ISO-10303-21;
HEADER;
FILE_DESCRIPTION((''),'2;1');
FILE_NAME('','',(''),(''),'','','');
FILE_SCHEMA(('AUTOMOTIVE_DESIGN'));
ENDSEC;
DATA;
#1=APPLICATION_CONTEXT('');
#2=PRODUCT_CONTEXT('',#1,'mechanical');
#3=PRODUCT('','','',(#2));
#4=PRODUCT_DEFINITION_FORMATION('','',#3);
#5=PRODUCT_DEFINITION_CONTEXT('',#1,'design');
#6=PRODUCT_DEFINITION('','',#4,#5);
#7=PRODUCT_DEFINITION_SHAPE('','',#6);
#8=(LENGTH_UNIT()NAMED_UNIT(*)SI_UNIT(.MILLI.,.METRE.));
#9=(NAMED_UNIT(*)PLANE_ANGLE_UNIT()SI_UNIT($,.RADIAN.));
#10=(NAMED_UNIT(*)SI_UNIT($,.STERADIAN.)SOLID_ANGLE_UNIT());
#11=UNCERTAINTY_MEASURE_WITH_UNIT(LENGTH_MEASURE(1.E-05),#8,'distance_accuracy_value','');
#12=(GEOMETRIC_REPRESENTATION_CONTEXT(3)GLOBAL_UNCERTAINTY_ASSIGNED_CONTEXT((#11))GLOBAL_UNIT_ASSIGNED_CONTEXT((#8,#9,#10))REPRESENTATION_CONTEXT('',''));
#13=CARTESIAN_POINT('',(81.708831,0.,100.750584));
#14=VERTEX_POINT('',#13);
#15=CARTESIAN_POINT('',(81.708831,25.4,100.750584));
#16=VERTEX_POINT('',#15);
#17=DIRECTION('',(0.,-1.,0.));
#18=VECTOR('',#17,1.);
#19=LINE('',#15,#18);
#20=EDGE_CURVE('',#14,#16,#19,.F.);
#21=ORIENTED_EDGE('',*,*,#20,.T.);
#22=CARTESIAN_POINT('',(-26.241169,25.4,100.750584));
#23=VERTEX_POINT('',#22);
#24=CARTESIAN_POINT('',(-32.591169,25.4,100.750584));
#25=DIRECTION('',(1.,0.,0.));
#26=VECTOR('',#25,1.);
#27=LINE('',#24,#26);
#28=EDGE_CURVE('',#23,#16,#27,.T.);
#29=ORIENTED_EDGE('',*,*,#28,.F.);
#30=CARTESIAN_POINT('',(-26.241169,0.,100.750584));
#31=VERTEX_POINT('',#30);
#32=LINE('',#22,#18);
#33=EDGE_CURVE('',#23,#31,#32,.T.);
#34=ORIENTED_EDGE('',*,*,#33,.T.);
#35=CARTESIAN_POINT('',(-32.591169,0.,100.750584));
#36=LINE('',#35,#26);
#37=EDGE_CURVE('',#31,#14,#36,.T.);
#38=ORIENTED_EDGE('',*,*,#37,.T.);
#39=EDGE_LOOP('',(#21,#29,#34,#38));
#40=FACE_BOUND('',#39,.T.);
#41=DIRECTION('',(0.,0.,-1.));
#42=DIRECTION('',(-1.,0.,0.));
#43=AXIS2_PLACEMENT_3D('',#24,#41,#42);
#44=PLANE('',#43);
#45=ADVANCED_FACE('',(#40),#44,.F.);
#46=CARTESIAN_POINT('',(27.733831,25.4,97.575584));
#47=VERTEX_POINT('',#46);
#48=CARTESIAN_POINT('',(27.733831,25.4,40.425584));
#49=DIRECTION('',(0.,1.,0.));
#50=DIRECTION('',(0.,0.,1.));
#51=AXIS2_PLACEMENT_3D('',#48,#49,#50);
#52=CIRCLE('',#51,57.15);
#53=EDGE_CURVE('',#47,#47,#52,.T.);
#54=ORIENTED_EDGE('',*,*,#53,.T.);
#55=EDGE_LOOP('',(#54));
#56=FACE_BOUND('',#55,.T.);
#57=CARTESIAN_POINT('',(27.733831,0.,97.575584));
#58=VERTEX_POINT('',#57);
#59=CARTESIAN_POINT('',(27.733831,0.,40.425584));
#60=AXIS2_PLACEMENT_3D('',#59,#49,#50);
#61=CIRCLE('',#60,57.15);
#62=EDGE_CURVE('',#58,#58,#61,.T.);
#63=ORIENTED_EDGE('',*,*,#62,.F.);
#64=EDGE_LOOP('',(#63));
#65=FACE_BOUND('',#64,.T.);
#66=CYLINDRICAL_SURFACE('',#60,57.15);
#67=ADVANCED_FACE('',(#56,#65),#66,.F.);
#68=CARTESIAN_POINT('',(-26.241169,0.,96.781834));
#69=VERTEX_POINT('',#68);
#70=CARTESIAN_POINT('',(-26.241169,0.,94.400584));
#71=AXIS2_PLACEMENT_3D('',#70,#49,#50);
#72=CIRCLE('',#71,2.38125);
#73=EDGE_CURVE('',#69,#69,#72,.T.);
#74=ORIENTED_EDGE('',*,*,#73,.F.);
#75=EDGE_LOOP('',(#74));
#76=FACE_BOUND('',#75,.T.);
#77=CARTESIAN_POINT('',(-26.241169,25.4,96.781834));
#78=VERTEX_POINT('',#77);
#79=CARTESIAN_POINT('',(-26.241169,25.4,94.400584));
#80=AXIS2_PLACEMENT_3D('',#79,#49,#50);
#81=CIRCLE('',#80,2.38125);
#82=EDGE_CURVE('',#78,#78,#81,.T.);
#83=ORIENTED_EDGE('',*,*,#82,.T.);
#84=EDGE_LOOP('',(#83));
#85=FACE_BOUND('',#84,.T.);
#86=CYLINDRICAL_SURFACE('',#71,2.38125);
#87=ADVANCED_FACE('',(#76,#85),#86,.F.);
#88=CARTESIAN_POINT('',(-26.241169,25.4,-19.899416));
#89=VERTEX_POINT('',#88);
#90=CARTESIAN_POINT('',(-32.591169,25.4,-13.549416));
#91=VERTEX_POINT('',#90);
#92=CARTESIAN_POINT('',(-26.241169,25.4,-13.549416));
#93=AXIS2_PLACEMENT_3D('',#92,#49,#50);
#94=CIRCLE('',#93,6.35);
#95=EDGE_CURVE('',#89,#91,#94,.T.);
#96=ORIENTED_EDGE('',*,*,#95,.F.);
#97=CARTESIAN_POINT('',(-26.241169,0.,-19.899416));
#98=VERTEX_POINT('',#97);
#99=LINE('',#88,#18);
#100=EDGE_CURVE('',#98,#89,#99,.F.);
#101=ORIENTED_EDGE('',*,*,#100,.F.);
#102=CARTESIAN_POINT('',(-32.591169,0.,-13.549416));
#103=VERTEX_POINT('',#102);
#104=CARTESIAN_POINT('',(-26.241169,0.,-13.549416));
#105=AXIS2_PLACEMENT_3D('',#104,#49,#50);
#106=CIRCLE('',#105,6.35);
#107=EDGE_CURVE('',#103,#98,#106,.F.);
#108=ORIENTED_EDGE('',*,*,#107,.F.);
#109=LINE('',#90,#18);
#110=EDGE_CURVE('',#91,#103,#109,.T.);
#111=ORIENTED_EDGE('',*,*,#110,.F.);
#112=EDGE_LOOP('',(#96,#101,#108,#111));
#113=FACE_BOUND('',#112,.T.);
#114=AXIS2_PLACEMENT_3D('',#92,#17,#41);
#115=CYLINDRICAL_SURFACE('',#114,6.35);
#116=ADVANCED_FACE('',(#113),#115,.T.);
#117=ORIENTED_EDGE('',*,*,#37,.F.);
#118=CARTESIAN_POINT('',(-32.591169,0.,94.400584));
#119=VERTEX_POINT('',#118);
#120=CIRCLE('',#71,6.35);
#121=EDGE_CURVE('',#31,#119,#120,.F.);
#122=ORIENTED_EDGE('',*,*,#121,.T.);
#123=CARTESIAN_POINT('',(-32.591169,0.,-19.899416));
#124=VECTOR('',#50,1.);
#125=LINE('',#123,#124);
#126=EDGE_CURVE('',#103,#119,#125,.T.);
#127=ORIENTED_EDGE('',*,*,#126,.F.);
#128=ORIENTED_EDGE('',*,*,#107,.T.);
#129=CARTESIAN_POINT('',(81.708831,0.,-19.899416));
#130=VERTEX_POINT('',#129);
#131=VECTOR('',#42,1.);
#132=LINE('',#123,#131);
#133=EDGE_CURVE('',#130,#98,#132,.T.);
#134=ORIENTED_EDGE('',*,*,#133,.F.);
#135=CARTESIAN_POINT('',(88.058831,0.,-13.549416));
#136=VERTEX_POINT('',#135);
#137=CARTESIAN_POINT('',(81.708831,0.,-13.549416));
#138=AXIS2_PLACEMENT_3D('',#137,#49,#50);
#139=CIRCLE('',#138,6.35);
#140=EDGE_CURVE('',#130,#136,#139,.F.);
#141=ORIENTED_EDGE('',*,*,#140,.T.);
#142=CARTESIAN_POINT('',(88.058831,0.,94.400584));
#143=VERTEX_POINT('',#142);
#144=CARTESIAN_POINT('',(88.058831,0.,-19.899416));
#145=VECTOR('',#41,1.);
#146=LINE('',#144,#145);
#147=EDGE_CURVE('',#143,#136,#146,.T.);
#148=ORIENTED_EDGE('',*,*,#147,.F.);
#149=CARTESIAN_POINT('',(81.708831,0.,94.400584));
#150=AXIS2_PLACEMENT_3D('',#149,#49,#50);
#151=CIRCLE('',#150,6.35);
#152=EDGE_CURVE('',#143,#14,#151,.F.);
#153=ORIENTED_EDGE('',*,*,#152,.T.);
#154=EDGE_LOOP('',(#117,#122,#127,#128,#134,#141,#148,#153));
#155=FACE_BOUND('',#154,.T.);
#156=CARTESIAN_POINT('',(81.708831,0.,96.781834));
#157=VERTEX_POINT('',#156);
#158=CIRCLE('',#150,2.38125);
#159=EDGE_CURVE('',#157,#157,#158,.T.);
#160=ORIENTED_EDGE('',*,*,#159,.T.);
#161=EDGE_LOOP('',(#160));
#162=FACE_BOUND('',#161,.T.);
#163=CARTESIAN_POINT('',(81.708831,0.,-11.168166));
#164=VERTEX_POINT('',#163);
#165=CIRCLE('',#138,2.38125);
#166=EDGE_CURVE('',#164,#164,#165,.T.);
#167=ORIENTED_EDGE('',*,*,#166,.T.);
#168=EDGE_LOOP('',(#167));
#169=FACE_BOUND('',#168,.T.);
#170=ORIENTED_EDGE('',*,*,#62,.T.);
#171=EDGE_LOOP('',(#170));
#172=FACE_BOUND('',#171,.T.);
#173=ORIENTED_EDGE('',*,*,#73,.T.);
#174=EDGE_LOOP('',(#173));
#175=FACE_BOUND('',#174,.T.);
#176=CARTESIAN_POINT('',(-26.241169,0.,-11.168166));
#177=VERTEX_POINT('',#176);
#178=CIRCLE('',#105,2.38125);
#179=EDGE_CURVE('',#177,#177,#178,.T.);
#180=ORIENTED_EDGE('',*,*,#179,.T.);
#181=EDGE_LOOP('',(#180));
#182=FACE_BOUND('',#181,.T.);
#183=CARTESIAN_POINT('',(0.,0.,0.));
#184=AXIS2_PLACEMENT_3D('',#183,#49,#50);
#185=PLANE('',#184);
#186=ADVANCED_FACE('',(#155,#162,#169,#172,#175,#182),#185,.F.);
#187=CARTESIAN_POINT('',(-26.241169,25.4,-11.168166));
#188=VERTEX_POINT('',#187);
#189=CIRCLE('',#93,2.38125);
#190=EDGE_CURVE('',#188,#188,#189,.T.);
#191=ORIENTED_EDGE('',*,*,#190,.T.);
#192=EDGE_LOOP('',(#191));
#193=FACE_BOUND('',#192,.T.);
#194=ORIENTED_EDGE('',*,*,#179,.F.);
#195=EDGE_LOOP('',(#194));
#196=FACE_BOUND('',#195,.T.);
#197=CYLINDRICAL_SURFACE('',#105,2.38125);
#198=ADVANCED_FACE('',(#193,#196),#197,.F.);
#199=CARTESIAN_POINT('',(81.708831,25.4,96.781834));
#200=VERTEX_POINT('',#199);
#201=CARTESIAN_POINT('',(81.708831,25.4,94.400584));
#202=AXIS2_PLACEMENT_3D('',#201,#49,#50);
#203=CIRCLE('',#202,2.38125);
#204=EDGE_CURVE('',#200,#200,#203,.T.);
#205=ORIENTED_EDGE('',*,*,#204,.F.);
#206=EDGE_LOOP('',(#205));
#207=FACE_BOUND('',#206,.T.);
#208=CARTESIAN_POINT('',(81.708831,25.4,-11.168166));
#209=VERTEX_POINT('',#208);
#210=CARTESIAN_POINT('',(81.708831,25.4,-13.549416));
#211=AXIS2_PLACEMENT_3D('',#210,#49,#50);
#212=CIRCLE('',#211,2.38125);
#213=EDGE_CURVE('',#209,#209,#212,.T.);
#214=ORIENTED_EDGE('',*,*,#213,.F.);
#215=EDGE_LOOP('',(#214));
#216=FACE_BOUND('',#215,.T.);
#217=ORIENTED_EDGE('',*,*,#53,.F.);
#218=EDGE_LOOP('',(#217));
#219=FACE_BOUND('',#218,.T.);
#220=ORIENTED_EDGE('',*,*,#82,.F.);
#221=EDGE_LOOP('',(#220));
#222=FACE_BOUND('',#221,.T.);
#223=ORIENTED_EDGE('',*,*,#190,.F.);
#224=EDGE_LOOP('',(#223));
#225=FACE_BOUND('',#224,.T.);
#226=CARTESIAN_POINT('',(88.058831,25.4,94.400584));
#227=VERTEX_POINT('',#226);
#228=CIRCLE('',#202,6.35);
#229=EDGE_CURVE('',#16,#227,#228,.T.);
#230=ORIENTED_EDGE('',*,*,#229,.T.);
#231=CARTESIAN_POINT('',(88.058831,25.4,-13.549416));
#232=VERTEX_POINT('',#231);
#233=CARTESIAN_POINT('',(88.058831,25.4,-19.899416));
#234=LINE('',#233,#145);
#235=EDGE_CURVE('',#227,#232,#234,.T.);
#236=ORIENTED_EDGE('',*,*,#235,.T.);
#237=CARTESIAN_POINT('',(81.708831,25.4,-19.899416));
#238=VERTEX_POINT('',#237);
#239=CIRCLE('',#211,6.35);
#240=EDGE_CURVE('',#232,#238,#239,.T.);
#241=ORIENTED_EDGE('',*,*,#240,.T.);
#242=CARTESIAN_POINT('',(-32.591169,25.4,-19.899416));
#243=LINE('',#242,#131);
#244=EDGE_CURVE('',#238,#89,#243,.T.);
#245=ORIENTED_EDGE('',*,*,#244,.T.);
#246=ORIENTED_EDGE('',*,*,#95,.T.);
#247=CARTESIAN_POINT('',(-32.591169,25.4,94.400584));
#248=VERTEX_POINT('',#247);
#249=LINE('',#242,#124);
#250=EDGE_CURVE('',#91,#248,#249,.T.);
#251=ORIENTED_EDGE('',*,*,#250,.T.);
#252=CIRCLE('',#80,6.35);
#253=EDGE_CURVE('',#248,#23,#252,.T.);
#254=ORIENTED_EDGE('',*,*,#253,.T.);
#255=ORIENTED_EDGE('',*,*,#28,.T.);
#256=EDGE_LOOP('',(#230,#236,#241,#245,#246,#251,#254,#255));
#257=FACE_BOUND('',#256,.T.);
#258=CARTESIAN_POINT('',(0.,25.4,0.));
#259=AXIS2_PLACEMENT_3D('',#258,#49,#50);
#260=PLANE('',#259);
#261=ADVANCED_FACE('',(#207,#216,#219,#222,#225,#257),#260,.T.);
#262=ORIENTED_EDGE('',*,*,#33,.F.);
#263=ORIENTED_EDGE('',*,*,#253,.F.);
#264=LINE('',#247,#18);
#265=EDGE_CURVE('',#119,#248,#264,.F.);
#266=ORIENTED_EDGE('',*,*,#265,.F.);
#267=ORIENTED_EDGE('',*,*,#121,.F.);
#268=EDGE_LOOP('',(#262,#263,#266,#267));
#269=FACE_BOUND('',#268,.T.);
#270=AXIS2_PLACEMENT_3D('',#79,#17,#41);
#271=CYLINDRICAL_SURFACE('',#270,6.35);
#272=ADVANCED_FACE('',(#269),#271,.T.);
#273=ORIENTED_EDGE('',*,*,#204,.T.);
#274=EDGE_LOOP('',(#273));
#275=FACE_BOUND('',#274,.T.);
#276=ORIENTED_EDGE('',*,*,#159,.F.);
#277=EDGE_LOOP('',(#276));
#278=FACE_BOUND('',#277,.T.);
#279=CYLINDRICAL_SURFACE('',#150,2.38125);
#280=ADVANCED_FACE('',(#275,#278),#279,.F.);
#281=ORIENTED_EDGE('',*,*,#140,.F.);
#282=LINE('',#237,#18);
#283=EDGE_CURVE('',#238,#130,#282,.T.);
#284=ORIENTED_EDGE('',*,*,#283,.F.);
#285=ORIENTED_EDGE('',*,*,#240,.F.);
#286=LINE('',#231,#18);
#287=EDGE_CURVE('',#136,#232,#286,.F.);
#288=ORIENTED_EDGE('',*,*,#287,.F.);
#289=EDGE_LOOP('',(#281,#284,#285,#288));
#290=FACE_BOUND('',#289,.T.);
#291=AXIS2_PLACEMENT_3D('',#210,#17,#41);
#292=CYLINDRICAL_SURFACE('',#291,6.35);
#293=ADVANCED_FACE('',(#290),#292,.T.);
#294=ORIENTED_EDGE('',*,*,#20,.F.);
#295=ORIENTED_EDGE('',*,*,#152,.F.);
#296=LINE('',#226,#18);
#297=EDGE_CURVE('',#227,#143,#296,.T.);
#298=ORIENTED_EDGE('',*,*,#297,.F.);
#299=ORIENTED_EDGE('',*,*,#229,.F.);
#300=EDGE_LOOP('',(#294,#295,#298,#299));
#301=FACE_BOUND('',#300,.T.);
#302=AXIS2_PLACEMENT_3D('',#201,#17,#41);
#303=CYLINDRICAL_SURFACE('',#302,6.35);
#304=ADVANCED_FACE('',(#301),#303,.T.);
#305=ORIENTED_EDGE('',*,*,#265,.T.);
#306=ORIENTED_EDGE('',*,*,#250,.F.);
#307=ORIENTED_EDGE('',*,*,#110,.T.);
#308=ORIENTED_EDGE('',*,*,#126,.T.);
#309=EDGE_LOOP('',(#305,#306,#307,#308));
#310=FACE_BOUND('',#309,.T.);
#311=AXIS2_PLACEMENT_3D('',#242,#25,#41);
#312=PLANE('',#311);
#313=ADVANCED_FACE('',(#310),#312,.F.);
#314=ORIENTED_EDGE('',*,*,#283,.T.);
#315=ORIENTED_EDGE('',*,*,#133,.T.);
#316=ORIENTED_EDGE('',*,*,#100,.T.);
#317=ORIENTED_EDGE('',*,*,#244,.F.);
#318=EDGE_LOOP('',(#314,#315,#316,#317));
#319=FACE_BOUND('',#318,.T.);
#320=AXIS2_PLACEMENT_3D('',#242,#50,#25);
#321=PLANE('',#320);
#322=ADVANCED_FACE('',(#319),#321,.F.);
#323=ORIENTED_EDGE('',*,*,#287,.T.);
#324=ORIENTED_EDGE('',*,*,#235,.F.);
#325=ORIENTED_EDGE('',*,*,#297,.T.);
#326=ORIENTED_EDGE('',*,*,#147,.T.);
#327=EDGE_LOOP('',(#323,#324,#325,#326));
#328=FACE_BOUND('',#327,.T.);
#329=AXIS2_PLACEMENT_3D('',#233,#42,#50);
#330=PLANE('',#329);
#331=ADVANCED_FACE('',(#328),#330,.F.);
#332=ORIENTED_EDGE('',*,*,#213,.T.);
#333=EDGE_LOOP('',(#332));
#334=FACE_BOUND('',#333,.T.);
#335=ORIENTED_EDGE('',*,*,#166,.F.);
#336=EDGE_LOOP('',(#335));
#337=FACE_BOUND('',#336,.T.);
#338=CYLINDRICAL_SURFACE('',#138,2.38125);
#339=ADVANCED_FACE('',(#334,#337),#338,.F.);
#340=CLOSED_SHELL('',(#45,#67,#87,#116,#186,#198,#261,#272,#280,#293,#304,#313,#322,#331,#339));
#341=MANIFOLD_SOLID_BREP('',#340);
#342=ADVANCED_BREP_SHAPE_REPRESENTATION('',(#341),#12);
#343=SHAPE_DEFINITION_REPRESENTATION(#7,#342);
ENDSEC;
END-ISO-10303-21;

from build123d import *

# Parameters (mm, degrees)
SKETCH1_W           = 120.65
SKETCH1_H           = 120.65
BOSS_EXTRUDE1_DEPTH = 25.4
FILLET1_R           = 6.35
FILLET2_R           = 6.35
SKETCH2_R           = 2.38125
CUT_EXTRUDE1_DEPTH  = 137.199111623
SKETCH4_R           = 57.15
CUT_EXTRUDE2_DEPTH  = 25.4


with BuildPart() as part:
    # Sketch1 → Boss-Extrude1 (new body)
    with BuildSketch(Plane(origin=(0, 0, 0), x_dir=(1, 0, 0), z_dir=(0, 1, 0))):
        with Locations((27.733831169, -40.425584416)):
            Rectangle(SKETCH1_W, SKETCH1_H)
    extrude(amount=BOSS_EXTRUDE1_DEPTH)

    # Fillet1
    fillet1_edges = [part.edges().sort_by_distance(p)[0] for p in [
        (-32.591168831, 12.7, 100.750584416),
    ]]
    fillet(fillet1_edges, radius=FILLET1_R)

    # Fillet2
    fillet2_edges = [part.edges().sort_by_distance(p)[0] for p in [
        (-32.591168831, 12.7, -19.899415584),
        (88.058831169, 12.7, -19.899415584),
        (88.058831169, 12.7, 100.750584416),
    ]]
    fillet(fillet2_edges, radius=FILLET2_R)

    # Sketch2 → Cut-Extrude1 (cut, through all)
    with BuildSketch(Plane(origin=(0, 25.4, 0), x_dir=(1, 0, 0), z_dir=(0, 1, 0))):
        with Locations(Location((-26.241168831, -94.400584416, 0), (0, 0, 270))):
            Circle(SKETCH2_R)
        with Locations(Location((-26.241168831, 13.549415584, 0), (0, 0, 270))):
            Circle(SKETCH2_R)
        with Locations(Location((81.708831169, 13.549415584, 0), (0, 0, 270))):
            Circle(SKETCH2_R)
        with Locations(Location((81.708831169, -94.400584416, 0), (0, 0, 270))):
            Circle(SKETCH2_R)
    extrude(amount=-CUT_EXTRUDE1_DEPTH, mode=Mode.SUBTRACT)

    # Sketch4 → Cut-Extrude2 (cut)
    with BuildSketch(Plane(origin=(0, 25.4, 0), x_dir=(1, 0, 0), z_dir=(0, 1, 0))):
        with Locations(Location((27.733831169, -40.425584416, 0), (0, 0, 270))):
            Circle(SKETCH4_R)
    extrude(amount=-CUT_EXTRUDE2_DEPTH, mode=Mode.SUBTRACT)


solid = part.part
